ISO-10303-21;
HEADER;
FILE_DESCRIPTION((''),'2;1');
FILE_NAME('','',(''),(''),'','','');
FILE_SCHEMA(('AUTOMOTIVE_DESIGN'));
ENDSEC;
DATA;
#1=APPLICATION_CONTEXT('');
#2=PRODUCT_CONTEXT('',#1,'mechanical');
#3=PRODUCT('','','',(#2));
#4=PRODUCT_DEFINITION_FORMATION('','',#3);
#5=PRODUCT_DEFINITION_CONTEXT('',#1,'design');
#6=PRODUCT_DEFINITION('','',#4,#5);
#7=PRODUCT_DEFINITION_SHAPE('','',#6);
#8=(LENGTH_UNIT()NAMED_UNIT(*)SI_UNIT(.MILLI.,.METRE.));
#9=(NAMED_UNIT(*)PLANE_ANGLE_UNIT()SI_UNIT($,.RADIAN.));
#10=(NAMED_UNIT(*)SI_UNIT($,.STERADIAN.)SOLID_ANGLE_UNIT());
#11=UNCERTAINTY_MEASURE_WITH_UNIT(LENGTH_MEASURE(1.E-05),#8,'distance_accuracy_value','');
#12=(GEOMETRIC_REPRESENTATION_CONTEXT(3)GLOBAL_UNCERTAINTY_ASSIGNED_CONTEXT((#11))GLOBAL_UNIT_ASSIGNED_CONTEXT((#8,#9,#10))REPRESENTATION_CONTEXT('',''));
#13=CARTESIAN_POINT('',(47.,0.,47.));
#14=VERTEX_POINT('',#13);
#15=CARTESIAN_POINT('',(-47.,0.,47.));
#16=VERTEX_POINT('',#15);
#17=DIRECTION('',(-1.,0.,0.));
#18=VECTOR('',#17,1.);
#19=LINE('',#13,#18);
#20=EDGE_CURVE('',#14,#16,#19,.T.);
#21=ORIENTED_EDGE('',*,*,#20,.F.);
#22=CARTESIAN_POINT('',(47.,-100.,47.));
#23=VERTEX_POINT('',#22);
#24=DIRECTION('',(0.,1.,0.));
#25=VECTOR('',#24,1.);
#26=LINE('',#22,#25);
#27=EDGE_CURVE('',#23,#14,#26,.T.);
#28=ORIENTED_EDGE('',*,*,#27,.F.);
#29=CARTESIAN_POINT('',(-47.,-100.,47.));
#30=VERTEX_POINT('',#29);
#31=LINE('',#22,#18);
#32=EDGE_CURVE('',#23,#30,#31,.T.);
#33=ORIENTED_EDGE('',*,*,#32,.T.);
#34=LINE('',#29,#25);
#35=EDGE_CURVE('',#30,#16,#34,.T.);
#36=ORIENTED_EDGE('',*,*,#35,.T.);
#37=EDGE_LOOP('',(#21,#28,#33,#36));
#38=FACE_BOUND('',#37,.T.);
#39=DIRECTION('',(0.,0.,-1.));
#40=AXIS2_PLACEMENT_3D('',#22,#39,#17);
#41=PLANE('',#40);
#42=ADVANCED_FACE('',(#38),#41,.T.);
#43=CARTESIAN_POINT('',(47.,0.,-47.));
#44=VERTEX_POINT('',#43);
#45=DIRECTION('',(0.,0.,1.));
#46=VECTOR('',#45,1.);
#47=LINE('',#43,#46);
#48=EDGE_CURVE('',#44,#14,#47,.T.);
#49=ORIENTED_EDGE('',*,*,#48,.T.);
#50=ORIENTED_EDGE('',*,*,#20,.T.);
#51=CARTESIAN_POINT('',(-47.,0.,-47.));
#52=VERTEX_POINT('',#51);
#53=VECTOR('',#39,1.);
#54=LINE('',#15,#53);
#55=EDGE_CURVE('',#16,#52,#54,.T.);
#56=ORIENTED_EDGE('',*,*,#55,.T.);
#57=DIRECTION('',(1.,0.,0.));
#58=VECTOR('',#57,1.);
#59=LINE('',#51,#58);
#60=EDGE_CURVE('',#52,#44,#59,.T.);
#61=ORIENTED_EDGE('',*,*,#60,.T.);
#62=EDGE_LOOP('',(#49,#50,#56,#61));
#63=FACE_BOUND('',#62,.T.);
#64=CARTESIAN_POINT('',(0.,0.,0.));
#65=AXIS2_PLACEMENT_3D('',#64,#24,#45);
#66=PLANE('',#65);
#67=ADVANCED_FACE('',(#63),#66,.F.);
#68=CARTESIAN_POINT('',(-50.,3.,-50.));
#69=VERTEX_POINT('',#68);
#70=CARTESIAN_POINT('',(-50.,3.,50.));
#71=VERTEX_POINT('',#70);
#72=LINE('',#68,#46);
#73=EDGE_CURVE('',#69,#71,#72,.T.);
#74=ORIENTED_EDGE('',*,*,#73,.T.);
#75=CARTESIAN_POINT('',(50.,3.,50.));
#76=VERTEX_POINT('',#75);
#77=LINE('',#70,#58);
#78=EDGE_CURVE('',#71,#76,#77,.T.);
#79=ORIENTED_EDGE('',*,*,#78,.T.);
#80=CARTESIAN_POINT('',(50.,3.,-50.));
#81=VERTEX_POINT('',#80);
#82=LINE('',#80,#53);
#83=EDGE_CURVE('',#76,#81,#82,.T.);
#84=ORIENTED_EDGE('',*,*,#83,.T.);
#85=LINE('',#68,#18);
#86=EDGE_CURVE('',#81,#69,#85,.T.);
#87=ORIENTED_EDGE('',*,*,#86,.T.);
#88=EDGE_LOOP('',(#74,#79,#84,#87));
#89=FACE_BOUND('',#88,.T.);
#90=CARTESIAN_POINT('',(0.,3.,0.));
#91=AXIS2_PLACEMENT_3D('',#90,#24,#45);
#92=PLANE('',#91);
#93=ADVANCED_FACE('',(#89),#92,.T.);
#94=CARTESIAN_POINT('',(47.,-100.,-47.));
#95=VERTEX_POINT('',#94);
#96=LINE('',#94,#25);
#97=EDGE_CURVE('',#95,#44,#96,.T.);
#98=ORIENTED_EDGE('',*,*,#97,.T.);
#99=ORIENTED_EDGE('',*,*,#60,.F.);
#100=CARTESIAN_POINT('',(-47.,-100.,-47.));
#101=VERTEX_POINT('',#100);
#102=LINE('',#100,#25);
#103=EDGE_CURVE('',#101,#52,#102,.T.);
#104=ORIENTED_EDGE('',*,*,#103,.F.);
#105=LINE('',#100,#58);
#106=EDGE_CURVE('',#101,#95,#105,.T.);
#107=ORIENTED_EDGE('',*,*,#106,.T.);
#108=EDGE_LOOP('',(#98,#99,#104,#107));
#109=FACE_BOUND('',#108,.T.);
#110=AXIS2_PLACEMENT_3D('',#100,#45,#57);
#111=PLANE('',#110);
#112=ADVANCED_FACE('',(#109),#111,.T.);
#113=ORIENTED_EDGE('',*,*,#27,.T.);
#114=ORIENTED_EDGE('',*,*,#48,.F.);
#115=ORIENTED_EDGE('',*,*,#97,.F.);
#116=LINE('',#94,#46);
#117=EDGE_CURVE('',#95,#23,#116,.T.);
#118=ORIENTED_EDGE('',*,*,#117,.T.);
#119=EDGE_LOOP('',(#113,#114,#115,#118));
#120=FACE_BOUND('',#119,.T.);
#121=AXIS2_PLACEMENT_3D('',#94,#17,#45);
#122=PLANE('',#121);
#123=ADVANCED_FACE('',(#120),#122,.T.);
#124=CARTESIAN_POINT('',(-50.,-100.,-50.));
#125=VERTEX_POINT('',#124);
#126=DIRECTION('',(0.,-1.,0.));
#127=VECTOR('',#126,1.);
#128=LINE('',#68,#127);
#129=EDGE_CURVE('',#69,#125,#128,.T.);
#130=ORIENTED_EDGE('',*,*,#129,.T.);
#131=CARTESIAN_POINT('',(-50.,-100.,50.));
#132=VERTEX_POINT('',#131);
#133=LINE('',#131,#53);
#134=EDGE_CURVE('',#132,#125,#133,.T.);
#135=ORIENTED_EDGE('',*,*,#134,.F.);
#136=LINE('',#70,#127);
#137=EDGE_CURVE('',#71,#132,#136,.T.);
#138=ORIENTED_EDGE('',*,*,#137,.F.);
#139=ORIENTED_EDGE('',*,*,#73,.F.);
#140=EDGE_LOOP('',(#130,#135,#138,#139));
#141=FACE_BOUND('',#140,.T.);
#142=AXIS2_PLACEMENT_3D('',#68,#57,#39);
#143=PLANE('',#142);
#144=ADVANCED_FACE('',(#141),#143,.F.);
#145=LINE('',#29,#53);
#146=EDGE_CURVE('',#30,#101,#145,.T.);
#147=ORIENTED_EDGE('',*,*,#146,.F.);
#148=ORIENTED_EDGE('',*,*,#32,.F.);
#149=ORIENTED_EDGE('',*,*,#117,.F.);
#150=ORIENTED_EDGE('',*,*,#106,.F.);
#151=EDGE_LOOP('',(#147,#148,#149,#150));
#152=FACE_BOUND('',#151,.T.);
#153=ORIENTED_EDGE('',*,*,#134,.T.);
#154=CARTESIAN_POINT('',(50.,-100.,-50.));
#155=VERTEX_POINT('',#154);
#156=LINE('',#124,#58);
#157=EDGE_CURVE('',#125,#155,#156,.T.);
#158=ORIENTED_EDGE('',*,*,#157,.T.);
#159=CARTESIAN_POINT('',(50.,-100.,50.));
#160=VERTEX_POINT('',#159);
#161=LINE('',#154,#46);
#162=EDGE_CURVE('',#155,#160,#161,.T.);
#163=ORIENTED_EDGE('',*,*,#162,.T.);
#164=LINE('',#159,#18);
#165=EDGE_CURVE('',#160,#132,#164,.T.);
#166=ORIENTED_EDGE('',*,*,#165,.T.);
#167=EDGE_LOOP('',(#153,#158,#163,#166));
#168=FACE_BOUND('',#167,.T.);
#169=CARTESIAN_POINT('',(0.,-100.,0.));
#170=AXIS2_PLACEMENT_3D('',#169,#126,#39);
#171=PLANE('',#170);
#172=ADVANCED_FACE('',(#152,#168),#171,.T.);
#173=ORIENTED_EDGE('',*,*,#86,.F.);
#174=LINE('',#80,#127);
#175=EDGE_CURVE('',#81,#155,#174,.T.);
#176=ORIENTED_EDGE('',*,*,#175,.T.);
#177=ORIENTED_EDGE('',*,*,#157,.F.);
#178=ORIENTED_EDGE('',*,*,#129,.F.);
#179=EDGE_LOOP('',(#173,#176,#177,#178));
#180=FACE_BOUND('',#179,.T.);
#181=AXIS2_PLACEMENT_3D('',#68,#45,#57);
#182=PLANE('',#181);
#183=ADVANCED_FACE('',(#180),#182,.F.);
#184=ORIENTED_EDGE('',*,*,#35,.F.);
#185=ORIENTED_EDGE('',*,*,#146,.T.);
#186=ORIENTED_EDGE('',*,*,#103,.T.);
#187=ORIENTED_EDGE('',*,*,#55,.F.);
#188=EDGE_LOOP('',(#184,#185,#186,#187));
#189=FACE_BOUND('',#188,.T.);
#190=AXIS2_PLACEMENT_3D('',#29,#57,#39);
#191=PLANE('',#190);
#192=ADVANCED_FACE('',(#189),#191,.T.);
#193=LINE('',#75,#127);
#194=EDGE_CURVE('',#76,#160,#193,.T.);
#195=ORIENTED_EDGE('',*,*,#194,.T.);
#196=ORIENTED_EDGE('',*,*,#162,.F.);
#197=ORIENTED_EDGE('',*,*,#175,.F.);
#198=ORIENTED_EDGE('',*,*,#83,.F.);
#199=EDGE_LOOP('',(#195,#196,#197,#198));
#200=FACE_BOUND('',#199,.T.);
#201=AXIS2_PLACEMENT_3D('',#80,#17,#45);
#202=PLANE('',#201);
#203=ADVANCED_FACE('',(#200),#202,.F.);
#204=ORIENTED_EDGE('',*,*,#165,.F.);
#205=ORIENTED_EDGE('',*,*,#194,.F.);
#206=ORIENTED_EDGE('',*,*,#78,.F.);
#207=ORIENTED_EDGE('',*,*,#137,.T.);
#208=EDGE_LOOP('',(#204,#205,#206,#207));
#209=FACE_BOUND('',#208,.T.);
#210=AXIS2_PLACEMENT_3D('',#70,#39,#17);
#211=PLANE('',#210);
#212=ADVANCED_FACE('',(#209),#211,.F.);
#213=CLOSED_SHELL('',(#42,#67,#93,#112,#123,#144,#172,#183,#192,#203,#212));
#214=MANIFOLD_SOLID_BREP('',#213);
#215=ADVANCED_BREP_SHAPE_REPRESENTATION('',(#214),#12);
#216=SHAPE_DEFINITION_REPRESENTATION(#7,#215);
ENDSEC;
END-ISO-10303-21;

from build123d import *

# Parameters (mm, degrees)
SKETCH_1_W      = 100
SKETCH_1_H      = 100
EXTRUDE_1_DEPTH = 3
SKETCH_2_W      = 100
SKETCH_2_H      = 100
SKETCH_2_W_2    = 94
SKETCH_2_H_2    = 94
EXTRUDE_2_DEPTH = 100


with BuildPart() as part:
    # 草图1 → 凸台-拉伸1 (new body)
    with BuildSketch(Plane(origin=(0, 0, 0), x_dir=(1, 0, 0), z_dir=(0, 1, 0))):
        Rectangle(SKETCH_1_W, SKETCH_1_H)
    extrude(amount=EXTRUDE_1_DEPTH)

    # 草图2 → 凸台-拉伸2 (add)
    with BuildSketch(Plane.XZ):
        Rectangle(SKETCH_2_W, SKETCH_2_H)
        Rectangle(SKETCH_2_W_2, SKETCH_2_H_2, mode=Mode.SUBTRACT)
    extrude(amount=EXTRUDE_2_DEPTH)


solid = part.part
